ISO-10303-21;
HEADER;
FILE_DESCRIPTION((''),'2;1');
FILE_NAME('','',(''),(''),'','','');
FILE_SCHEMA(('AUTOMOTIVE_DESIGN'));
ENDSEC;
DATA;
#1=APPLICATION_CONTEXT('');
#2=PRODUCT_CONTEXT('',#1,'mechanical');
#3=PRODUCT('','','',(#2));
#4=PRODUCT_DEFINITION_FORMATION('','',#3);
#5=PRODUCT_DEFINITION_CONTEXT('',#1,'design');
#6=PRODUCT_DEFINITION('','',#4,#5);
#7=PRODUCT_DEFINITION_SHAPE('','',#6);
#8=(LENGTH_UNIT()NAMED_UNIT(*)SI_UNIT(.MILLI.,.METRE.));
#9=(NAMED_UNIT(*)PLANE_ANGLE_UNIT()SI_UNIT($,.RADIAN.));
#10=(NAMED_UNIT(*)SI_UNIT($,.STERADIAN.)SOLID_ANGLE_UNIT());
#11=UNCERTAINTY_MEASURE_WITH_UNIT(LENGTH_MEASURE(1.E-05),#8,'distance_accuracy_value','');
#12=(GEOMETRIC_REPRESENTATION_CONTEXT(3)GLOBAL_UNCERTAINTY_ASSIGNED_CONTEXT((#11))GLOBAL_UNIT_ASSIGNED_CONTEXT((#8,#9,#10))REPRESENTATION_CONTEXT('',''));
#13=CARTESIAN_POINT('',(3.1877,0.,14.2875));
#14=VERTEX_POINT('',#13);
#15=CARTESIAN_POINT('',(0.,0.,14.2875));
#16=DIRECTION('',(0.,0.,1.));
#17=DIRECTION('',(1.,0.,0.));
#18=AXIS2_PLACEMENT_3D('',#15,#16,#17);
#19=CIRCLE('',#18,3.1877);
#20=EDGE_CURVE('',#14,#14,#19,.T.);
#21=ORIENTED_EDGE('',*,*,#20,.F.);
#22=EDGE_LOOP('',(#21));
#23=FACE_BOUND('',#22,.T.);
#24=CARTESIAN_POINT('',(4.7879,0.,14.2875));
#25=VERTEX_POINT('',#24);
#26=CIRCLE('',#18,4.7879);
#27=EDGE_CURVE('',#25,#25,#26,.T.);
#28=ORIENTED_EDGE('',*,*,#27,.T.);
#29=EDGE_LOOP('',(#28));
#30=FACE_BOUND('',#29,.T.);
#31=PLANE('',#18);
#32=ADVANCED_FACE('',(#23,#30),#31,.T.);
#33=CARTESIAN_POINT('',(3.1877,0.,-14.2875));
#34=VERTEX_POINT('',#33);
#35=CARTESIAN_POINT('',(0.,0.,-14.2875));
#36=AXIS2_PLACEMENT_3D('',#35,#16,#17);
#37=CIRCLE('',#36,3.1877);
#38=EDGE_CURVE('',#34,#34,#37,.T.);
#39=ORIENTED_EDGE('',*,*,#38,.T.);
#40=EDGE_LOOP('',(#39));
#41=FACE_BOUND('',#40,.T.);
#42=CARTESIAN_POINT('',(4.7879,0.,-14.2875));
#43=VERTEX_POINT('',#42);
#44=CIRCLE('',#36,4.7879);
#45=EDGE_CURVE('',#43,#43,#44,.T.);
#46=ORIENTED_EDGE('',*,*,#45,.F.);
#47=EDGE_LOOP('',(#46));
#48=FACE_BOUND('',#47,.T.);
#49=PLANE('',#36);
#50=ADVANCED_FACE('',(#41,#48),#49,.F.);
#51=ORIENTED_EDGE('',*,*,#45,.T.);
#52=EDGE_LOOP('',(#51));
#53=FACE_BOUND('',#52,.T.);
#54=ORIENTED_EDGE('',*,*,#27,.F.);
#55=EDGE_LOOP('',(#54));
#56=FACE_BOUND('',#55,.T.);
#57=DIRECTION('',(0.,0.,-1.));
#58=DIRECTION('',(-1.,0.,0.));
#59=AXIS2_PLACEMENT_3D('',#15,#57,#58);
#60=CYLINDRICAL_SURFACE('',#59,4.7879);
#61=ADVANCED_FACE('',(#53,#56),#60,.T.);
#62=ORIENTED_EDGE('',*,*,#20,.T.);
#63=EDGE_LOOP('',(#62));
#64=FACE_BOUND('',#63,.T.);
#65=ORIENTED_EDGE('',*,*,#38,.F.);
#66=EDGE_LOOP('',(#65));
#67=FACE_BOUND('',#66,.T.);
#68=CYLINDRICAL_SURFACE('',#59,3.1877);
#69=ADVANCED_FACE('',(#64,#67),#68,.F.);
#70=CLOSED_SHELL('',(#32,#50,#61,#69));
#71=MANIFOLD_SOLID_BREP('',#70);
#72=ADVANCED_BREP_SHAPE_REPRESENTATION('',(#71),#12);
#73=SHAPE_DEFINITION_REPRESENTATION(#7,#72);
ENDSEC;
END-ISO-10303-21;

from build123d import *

# Parameters (mm, degrees)
SKETCH5_R           = 4.7879
SKETCH5_R_2         = 3.1877
BOSS_EXTRUDE1_DEPTH = 14.2875


with BuildPart() as part:
    # Sketch5 → Boss-Extrude1 (new, symmetric)
    with BuildSketch(Plane.XY):
        Circle(SKETCH5_R)
        Circle(SKETCH5_R_2, mode=Mode.SUBTRACT)
    extrude(amount=BOSS_EXTRUDE1_DEPTH, both=True)


solid = part.part
